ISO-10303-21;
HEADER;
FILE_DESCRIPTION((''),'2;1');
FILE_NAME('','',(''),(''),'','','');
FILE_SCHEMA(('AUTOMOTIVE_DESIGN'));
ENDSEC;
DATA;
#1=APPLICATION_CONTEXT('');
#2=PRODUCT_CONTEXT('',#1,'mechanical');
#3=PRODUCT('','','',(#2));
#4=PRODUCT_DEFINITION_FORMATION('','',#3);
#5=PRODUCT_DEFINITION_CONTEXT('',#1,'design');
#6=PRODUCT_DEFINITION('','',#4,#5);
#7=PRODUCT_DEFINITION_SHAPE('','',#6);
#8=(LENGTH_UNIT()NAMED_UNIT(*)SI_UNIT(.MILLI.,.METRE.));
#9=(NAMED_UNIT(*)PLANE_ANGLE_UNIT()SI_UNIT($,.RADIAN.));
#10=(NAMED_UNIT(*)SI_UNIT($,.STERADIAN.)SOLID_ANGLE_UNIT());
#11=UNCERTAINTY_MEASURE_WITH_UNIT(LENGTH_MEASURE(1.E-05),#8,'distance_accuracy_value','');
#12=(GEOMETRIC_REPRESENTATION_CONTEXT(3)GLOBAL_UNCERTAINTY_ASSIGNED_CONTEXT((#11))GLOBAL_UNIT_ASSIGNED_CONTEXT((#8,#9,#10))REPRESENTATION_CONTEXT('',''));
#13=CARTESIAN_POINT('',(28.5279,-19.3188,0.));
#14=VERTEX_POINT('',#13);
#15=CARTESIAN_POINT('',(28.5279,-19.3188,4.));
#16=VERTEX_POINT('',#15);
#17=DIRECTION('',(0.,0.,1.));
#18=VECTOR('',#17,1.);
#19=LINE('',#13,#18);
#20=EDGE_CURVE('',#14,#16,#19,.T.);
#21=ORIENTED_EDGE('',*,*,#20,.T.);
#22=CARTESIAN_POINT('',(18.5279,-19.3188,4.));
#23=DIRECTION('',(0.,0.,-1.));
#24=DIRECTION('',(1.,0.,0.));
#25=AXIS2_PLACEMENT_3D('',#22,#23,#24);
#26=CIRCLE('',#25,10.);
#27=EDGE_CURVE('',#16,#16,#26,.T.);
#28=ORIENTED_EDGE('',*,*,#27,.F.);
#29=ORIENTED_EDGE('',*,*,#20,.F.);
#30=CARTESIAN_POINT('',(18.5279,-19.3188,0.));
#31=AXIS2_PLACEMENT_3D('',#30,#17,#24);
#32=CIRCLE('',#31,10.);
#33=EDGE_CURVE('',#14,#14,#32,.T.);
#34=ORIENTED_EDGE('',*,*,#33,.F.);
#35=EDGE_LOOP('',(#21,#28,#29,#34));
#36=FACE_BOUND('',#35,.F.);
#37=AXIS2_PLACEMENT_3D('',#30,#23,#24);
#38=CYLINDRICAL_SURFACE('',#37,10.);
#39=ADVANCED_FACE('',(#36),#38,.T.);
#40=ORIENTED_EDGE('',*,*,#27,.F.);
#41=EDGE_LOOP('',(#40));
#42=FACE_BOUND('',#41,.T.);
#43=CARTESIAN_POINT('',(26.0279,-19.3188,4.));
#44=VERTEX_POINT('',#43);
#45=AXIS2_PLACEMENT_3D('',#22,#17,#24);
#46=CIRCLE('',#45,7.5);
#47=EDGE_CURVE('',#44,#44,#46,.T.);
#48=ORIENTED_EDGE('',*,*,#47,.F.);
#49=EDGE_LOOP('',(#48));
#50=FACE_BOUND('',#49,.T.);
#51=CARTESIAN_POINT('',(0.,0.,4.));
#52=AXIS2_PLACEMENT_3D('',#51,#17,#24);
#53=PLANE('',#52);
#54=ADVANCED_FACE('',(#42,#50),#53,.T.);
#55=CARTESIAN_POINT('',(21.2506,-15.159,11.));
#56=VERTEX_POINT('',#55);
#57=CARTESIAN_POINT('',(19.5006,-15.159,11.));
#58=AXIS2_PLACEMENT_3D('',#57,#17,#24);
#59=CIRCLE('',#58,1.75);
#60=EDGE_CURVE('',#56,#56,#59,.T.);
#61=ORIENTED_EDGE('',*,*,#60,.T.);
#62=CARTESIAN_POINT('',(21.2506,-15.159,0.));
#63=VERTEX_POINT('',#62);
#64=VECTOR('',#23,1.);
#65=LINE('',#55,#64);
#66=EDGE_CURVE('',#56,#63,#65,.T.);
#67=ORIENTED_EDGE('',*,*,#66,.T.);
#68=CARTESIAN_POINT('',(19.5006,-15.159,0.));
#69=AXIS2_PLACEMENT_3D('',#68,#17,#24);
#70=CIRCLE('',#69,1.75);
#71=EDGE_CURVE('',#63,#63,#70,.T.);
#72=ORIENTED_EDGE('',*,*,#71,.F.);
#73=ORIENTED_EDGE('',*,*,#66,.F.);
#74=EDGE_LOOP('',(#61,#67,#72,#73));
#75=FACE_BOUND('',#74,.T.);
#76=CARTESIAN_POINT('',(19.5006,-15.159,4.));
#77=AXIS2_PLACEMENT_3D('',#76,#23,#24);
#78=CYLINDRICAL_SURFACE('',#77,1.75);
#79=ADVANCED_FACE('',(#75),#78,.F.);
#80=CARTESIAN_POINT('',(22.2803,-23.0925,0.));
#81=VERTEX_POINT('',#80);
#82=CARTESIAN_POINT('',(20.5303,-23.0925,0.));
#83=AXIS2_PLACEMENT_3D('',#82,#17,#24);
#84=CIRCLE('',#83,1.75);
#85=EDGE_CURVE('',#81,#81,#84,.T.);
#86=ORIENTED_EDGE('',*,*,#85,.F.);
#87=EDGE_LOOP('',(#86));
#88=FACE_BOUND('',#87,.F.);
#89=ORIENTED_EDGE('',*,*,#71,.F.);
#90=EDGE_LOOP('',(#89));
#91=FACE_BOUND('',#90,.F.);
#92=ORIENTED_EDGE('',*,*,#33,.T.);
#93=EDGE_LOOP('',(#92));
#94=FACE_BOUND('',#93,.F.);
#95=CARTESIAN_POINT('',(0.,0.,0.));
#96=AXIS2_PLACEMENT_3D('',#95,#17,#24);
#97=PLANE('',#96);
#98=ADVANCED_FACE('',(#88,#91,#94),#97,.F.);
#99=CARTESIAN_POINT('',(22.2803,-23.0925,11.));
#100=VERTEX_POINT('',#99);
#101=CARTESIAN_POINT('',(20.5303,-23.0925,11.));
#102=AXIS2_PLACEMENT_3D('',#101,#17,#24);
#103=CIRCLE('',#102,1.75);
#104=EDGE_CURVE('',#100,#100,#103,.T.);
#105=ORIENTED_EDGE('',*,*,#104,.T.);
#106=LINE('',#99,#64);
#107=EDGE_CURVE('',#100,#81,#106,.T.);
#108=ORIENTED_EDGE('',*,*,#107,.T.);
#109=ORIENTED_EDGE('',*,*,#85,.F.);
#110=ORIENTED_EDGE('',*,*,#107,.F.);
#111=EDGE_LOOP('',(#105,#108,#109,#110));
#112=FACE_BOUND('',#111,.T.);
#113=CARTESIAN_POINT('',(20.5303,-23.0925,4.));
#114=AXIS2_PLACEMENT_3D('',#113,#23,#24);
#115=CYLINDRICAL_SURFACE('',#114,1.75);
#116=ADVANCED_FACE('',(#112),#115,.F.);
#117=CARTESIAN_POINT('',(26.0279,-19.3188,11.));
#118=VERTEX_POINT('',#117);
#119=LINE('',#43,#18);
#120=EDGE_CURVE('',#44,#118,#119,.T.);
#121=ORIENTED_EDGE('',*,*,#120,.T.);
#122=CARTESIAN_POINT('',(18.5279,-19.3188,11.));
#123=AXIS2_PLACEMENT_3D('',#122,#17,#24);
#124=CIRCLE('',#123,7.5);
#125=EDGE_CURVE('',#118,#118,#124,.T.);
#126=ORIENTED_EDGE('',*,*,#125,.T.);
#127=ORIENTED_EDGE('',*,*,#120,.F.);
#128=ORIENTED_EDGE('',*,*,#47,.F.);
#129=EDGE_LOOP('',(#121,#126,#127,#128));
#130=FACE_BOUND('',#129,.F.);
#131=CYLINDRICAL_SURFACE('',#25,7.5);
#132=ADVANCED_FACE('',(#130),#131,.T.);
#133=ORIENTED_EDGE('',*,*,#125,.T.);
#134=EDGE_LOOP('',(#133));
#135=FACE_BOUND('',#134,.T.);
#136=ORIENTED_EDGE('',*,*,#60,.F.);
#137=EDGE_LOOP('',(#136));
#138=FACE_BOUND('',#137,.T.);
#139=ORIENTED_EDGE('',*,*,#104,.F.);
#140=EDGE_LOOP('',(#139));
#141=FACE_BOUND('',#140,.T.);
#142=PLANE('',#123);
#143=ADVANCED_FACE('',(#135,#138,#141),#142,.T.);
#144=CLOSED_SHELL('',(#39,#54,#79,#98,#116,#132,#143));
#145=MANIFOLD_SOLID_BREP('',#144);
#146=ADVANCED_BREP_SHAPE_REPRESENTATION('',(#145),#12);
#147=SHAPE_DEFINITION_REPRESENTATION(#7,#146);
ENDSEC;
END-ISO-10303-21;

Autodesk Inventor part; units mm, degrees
ref_plane "YZ Plane" through (0, 0, 0) normal (1, 0, 0) x (0, 1, 0)
ref_plane "XZ Plane" through (0, 0, 0) normal (0, 1, 0) x (-1, 0, 0)
ref_plane "XY Plane" through (0, 0, 0) normal (0, 0, 1) x (1, 0, 0)
sketch "Sketch1" plane through (0, 0, 0) normal (0, 0, 1) x (1, 0, 0)
  circle A0 centre (19.5006, -15.159) radius 1.75 construction
  circle A1 centre (19.5006, -15.159) radius 1.75 construction
  circle A2 centre (19.5006, -15.159) radius 1.75
  circle A3 centre (20.5303, -23.0925) radius 1.75
  line L0 (19.5006, -15.159) -> (20.5303, -23.0925) construction
  line L1 (20.5303, -23.0925) -> (20.0154, -19.1258) construction
  line L2 (20.0154, -19.1258) -> (20.2426, -19.0963) construction
  circle A4 centre (18.5279, -19.3188) radius 10
  circle A5 centre (21.9301, -11.6314) radius 7.5 projected
  circle A6 centre (26.0946, -10.6293) radius 1.75 projected
  point P0 (0, 0)
  dimension "d1" = 20
  dimension "d7" = 1.5
  dimension "d8" = 8
extrude "Extrusion1" add sketch "Sketch1" along normal blind 4 contours A4 A5 | A5 A4 A6 | A6 A4 picked at (24.3482, -15.6706) picked at (25.0435, -11.8364)
sketch "Sketch2" plane through (18.5279, -19.3188, 4) normal (0, 0, 1) x (1, 0, 0)
  circle A0 centre (0, 0) radius 10 construction
  circle A1 centre (0, 0) radius 7.5
  circle A2 centre (0.9727, 4.1598) radius 1.75 projected
  circle A3 centre (0.9727, 4.1598) radius 1.75
  circle A4 centre (2.0024, -3.7737) radius 1.75 projected
  circle A5 centre (2.0024, -3.7737) radius 1.75
  point P0 (-18.5279, 19.3188)
  dimension "d4" = 15
extrude "Extrusion2" add sketch "Sketch2" along normal blind 7
properties part number "Shaft-3"
